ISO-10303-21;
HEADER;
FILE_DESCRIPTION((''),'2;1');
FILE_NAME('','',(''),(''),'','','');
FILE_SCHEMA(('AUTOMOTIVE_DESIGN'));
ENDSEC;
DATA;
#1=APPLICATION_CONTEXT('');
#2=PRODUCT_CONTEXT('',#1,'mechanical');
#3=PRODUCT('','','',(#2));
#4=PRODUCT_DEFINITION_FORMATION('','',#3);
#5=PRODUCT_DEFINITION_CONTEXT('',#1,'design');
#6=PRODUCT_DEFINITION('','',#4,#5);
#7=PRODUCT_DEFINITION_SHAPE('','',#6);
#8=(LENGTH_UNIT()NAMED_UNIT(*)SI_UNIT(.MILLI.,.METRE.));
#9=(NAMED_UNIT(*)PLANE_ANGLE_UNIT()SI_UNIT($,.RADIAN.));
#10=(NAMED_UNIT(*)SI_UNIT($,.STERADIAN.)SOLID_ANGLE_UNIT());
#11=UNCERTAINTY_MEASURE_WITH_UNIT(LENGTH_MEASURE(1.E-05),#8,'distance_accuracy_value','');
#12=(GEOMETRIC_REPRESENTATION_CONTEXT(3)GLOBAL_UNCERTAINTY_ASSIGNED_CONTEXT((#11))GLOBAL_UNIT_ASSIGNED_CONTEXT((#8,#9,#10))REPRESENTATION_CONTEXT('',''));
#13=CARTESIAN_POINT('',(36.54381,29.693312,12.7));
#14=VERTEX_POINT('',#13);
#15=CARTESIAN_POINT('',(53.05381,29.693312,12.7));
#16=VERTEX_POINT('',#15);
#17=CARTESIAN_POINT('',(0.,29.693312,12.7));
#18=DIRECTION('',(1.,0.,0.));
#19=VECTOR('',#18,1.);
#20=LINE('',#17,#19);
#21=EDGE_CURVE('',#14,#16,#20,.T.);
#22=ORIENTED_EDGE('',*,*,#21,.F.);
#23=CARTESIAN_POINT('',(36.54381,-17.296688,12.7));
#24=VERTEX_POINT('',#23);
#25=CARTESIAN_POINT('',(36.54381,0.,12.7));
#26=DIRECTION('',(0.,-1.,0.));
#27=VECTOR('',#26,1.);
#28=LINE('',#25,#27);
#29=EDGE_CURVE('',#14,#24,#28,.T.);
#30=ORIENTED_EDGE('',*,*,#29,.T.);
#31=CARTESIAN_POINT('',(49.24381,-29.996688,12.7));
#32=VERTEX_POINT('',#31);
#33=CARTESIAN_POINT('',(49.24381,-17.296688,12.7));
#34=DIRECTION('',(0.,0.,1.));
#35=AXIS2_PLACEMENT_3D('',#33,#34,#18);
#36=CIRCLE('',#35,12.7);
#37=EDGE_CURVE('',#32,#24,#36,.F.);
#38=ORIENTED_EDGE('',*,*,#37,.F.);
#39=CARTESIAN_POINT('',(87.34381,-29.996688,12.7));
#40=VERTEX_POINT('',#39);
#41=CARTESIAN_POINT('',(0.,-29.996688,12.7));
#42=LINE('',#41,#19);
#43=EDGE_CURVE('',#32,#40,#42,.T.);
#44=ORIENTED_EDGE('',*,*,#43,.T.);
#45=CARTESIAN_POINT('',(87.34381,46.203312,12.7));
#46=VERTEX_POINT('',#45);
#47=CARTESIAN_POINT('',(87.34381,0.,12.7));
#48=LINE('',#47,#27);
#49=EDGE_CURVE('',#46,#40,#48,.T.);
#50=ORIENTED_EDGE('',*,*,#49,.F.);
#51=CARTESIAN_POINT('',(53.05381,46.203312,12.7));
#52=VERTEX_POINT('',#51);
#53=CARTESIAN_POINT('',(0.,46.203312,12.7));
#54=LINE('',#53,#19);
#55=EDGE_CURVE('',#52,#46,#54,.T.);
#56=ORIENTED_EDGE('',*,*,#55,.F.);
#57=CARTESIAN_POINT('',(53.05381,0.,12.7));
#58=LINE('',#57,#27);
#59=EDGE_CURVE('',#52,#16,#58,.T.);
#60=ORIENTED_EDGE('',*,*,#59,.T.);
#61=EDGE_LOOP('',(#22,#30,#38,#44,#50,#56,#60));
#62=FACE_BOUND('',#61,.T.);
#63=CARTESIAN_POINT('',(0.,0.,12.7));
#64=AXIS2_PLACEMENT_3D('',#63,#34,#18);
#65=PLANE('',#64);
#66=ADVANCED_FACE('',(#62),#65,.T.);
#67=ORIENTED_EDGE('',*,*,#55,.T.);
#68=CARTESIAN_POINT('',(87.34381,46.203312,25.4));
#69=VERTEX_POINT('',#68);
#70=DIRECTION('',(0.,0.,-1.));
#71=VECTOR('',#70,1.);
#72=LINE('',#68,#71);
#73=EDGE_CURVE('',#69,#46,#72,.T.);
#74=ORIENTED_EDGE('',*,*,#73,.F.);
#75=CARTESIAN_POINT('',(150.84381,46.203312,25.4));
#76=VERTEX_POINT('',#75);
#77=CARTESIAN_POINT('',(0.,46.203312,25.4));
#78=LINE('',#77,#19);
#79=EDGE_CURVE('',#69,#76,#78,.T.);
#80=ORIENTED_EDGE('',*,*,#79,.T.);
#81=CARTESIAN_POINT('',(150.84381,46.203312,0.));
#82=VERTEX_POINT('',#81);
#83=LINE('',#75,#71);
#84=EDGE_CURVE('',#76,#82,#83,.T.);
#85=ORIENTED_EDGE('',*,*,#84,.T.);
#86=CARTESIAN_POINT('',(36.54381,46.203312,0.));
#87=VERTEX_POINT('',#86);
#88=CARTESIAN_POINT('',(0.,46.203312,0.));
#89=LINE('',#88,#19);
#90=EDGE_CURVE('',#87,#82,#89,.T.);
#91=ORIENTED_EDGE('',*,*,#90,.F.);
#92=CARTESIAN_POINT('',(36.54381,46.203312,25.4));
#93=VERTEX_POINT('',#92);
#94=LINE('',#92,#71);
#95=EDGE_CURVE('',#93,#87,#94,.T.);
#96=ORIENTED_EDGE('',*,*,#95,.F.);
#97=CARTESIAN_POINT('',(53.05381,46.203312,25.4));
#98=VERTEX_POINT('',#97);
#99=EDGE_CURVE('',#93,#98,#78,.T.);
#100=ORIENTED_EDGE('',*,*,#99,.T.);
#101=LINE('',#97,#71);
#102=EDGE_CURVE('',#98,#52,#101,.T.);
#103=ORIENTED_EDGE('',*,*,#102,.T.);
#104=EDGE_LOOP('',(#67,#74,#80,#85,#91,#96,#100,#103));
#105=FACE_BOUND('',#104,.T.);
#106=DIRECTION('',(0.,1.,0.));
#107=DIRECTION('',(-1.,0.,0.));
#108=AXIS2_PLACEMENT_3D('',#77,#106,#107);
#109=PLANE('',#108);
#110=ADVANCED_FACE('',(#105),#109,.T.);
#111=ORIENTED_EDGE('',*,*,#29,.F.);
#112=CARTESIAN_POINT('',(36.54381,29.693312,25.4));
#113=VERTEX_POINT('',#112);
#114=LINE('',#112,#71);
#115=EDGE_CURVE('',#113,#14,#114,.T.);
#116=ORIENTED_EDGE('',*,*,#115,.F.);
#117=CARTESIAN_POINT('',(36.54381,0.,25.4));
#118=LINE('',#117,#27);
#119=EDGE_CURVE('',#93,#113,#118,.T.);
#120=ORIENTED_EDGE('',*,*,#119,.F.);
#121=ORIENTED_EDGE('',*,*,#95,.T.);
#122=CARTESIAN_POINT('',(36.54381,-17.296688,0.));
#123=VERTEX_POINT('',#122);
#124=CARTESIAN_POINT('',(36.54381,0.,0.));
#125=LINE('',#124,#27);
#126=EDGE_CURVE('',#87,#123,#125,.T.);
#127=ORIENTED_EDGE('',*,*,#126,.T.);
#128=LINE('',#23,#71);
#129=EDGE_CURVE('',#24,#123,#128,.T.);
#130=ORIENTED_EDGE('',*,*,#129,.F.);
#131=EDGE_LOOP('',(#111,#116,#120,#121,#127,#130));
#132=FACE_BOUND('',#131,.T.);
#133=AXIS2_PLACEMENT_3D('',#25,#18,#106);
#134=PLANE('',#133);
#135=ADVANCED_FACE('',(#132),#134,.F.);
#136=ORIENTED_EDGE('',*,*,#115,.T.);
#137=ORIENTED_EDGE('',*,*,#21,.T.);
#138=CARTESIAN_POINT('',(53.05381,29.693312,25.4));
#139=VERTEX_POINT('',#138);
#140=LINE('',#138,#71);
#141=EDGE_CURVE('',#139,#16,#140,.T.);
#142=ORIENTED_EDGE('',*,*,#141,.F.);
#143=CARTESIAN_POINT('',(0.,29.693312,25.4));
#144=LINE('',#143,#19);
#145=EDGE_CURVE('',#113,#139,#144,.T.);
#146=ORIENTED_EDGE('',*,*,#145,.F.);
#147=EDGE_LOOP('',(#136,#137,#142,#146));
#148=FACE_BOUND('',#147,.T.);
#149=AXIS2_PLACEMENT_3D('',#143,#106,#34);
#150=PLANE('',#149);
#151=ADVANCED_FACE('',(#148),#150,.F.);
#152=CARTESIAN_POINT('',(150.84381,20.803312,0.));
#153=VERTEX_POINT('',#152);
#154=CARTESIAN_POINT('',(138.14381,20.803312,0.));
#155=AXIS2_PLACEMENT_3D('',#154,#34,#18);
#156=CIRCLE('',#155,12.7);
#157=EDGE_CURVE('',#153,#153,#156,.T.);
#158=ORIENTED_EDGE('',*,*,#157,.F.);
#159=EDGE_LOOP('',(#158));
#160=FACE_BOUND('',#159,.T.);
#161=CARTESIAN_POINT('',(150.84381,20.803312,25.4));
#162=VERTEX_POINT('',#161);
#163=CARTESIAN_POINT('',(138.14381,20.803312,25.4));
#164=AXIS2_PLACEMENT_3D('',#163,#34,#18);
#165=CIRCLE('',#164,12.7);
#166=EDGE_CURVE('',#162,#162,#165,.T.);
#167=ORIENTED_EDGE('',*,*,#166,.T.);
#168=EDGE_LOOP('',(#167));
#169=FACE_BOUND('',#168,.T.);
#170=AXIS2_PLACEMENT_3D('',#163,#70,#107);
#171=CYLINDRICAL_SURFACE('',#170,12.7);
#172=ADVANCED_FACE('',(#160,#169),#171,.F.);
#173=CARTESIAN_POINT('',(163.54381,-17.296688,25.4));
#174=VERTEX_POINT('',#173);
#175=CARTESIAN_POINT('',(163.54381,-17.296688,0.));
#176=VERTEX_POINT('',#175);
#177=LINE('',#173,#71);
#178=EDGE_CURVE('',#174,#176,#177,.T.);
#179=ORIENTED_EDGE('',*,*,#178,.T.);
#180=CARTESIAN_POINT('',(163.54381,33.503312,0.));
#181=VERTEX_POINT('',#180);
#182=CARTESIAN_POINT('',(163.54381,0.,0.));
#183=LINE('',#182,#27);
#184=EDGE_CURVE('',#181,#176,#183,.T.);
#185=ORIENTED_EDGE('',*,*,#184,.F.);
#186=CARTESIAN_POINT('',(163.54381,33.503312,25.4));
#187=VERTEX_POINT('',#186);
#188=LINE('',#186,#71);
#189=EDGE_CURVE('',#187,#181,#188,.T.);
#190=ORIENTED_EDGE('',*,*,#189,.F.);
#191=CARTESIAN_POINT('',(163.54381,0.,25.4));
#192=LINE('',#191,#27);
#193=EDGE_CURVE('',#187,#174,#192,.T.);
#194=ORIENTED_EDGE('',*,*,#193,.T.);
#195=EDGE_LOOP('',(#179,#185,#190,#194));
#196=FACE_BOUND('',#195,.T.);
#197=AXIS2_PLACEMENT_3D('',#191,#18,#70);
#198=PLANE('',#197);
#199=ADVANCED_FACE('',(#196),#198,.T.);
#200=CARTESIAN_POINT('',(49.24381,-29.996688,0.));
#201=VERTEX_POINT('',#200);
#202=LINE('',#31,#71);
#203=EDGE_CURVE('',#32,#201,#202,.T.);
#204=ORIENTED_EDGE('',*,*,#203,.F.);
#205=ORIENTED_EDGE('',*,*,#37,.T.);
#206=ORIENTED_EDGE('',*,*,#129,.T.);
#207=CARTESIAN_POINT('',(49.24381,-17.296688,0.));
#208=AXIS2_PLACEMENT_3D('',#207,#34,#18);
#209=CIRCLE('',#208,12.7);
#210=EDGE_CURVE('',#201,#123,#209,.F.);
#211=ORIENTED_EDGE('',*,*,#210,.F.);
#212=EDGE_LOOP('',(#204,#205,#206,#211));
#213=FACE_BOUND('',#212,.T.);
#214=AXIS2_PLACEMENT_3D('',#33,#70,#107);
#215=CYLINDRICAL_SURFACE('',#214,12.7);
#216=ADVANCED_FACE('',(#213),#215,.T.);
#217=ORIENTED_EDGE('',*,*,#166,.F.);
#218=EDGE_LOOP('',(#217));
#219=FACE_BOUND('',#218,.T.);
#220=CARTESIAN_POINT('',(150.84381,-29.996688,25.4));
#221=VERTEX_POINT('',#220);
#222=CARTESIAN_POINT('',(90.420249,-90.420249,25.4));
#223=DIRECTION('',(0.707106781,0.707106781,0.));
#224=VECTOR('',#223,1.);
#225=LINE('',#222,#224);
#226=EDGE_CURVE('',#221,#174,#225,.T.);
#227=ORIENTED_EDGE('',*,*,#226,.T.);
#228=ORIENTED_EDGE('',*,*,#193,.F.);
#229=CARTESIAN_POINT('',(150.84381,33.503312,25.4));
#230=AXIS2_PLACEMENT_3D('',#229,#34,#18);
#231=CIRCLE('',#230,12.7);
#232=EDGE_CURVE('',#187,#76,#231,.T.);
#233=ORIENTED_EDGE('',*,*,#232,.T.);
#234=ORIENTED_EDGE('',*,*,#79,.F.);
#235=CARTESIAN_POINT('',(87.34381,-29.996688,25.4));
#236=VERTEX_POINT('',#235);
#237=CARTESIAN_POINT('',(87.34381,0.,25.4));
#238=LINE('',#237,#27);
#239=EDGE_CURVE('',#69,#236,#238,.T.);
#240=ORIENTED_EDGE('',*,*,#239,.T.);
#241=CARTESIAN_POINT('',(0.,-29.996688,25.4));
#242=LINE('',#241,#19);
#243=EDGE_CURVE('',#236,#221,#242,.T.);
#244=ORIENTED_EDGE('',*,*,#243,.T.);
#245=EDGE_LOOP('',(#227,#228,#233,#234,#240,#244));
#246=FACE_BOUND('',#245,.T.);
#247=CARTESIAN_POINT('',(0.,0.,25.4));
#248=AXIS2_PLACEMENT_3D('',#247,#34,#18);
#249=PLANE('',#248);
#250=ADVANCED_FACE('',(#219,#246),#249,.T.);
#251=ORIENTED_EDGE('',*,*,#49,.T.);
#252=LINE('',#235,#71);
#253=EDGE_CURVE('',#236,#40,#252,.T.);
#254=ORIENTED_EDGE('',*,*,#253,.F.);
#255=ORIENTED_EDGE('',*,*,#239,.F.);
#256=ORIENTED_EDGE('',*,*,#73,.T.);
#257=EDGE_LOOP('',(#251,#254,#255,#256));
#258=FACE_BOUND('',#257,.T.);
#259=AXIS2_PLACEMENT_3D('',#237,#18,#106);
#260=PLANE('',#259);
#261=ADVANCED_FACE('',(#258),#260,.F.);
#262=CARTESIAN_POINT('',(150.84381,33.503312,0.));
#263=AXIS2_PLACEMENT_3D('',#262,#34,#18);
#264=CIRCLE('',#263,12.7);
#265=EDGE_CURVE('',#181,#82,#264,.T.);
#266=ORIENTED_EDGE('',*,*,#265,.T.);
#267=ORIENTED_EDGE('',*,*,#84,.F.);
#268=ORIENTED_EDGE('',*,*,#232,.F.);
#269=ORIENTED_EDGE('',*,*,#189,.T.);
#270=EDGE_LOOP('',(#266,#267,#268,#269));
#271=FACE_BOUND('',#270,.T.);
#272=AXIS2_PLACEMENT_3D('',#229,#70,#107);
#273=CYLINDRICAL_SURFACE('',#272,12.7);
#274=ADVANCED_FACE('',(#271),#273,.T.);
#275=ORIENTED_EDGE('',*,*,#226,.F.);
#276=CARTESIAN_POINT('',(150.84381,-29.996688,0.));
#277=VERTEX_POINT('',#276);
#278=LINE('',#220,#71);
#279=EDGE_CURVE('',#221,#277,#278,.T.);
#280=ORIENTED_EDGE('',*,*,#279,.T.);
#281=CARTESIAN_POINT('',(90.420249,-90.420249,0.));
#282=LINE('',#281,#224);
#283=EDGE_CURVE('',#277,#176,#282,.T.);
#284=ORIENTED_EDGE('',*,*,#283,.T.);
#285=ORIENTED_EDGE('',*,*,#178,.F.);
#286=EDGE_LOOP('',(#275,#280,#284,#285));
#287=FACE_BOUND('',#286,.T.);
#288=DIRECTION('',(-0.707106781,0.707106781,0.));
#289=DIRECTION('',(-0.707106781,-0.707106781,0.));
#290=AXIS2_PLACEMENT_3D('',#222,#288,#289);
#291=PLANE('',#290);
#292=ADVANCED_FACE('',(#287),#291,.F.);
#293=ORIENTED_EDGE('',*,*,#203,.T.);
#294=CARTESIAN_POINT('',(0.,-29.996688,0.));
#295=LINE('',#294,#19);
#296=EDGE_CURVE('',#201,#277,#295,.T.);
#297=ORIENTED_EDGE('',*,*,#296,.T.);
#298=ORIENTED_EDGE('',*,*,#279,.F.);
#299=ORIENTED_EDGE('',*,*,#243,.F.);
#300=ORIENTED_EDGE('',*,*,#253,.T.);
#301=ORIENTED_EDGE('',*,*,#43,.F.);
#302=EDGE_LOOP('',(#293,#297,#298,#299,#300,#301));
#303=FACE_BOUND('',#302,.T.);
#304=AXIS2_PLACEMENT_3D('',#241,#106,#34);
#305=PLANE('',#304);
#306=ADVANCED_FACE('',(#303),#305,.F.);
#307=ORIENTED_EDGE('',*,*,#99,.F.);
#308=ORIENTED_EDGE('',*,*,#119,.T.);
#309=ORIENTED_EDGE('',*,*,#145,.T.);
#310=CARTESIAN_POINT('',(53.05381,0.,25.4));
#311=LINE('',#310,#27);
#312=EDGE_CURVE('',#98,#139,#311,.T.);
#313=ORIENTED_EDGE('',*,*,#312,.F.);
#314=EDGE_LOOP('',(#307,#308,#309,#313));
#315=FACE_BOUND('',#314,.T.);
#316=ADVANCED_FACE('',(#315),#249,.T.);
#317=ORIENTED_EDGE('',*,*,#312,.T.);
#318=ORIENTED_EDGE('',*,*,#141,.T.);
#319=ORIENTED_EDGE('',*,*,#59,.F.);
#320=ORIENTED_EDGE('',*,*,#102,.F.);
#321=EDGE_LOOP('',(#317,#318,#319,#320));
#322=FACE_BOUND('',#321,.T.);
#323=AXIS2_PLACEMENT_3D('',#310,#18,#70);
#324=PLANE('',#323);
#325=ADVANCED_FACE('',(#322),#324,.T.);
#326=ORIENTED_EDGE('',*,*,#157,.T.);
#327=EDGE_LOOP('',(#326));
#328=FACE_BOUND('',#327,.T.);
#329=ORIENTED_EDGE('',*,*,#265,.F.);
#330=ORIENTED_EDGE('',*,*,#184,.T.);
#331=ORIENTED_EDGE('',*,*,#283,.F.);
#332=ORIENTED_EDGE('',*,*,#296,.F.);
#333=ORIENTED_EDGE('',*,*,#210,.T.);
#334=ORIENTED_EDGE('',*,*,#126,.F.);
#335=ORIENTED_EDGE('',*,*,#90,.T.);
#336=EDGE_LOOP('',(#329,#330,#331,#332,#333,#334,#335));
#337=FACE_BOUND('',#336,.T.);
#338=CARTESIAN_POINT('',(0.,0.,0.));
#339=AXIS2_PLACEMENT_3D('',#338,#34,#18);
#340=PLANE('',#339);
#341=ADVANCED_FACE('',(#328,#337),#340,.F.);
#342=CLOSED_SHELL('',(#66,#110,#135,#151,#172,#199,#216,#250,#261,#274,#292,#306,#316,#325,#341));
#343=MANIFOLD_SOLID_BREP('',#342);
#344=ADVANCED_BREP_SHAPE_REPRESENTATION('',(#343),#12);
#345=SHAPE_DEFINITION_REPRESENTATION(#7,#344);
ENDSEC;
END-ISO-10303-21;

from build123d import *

# Parameters (mm, degrees)
SKETCH1_R           = 12.7
BOSS_EXTRUDE1_DEPTH = 25.4
SKETCH1_4_W         = 16.51
SKETCH1_4_H         = 16.51
BOSS_EXTRUDE2_DEPTH = 25.4
BOSS_EXTRUDE3_DEPTH = 12.7


with BuildPart() as part:
    # Sketch1 → Boss-Extrude1 (new body)
    with BuildSketch(Plane.XY):
        with BuildLine():
            Line((150.843809628, 46.203312203), (87.343809628, 46.203312203))
            Line((87.343809628, 46.203312203), (87.343809628, -29.996687797))
            Line((87.343809628, -29.996687797), (150.843809628, -29.996687797))
            Line((150.843809628, -29.996687797), (163.543809628, -17.296687797))
            Line((163.543809628, -17.296687797), (163.543809628, 33.503312203))
            ThreePointArc((163.543809628, 33.503312203), (159.824065749, 42.483568324), (150.843809628, 46.203312203))
        make_face()
        with Locations((138.143809628, 20.803312203)):
            Circle(SKETCH1_R, mode=Mode.SUBTRACT)
    extrude(amount=BOSS_EXTRUDE1_DEPTH)



with BuildPart() as body_2:
    # Sketch1<4> → Boss-Extrude2 (new body)
    with BuildSketch(Plane.XY):
        with Locations((44.798809628, 37.948312203)):
            Rectangle(SKETCH1_4_W, SKETCH1_4_H)
    extrude(amount=BOSS_EXTRUDE2_DEPTH)


with BuildPart() as part_1:
    add(part.part)

    add(body_2.part)  # Boss-Extrude3 merges body 2
    # Sketch1<5> → Boss-Extrude3 (add)
    with BuildSketch(Plane.XY):
        with BuildLine():
            Line((87.343809628, 46.203312203), (53.053809628, 46.203312203))
            Line((53.053809628, 46.203312203), (53.053809628, 29.693312203))
            Line((53.053809628, 29.693312203), (36.543809628, 29.693312203))
            Line((36.543809628, 29.693312203), (36.543809628, -17.296687797))
            ThreePointArc((36.543809628, -17.296687797), (40.263553507, -26.276943918), (49.243809628, -29.996687797))
            Line((49.243809628, -29.996687797), (87.343809628, -29.996687797))
            Line((87.343809628, -29.996687797), (87.343809628, 46.203312203))
        make_face()
    extrude(amount=BOSS_EXTRUDE3_DEPTH)


solid = part_1.part
